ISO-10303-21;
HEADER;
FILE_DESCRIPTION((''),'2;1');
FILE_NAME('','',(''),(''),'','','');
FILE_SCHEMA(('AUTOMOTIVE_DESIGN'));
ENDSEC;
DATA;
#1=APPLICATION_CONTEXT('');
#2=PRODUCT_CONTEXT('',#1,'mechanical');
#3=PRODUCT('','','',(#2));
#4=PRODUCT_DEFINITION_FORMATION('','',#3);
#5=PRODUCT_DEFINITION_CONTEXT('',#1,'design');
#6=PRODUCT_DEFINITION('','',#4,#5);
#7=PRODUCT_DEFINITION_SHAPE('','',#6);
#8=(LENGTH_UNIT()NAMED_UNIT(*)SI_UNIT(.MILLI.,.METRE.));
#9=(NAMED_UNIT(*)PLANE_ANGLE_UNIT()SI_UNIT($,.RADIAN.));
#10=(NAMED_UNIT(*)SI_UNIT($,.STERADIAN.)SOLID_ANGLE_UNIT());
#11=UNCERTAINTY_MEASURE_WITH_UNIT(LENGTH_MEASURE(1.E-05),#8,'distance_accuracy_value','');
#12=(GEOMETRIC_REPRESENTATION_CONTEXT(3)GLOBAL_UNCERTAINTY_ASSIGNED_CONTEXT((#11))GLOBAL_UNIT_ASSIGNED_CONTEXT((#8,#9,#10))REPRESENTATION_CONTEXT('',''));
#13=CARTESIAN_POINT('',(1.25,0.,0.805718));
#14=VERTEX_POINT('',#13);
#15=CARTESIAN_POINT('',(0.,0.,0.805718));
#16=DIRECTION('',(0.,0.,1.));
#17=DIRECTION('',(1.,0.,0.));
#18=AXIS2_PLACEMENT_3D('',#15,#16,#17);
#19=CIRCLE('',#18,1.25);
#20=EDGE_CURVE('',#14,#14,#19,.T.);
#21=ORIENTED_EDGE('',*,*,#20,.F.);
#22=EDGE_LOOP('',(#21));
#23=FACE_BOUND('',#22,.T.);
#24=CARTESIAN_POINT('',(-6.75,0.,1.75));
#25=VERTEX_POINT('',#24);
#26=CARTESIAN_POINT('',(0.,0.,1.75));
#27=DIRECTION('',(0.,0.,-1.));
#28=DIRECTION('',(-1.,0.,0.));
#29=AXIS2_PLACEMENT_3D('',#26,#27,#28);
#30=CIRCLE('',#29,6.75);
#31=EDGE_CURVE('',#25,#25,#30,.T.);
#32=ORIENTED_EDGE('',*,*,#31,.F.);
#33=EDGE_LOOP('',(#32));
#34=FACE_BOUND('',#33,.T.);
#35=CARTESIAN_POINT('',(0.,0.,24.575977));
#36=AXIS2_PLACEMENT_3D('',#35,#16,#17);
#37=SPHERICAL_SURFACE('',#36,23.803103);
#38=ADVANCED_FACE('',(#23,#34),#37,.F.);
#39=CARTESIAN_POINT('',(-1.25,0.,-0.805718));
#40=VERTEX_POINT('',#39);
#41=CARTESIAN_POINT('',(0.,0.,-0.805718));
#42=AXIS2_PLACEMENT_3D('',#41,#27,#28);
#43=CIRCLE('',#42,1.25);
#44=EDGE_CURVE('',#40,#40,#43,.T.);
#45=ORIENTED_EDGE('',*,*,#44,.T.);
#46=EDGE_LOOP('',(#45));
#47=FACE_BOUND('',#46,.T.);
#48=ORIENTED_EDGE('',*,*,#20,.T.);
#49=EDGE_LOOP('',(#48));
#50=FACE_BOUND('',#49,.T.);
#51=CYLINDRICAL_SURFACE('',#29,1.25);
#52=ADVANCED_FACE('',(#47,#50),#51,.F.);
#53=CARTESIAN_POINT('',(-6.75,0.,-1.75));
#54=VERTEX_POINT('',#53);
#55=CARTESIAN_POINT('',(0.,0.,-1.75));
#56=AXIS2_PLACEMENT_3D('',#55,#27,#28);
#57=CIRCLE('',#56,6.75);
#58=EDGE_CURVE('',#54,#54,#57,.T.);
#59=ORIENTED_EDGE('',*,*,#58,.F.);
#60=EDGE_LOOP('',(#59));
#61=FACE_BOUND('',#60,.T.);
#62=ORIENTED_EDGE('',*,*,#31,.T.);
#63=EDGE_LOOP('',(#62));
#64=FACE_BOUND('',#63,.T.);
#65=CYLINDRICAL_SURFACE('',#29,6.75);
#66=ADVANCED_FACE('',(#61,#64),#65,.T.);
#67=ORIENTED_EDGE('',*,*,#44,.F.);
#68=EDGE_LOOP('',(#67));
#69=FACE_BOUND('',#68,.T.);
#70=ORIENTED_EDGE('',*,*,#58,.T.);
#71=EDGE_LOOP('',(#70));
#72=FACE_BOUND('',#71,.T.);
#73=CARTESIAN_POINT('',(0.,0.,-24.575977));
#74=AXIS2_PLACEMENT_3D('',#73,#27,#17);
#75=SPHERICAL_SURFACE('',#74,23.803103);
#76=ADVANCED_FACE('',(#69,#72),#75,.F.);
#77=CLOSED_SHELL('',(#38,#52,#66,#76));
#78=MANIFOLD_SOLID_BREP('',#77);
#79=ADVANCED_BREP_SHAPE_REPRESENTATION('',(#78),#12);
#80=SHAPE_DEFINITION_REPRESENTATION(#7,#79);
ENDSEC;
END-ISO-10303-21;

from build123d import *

# Parameters (mm, degrees)
SKETCH1_R           = 6.75
SKETCH1_R_2         = 1.25
BOSS_EXTRUDE1_DEPTH = 1.75


with BuildPart() as part:
    # Sketch1 → Boss-Extrude1 (new, symmetric)
    with BuildSketch(Plane.XY):
        Circle(SKETCH1_R)
        Circle(SKETCH1_R_2, mode=Mode.SUBTRACT)
    extrude(amount=BOSS_EXTRUDE1_DEPTH, both=True)

    # Sketch2 → Cut-Revolve1 (revolve, cut)
    with BuildSketch(Plane(origin=(0, 0, 0), x_dir=(1, 0, 0), z_dir=(0, 1, 0))):
        with BuildLine():
            Line((0, 1.75), (-6.75, 1.75))
            ThreePointArc((-6.75, 1.75), (-3.410178727, 1.018421792), (0, 0.772873706))
            Line((0, 0.772873706), (0, 1.75))
        make_face()
    cut_revolve1 = revolve(axis=Axis((0, 0, -3.982137232), (0, 0, 1)), mode=Mode.SUBTRACT)

    # Mirror1: Cut-Revolve1 across plane
    add(cut_revolve1.mirror(Plane.XY), mode=Mode.SUBTRACT)


solid = part.part
